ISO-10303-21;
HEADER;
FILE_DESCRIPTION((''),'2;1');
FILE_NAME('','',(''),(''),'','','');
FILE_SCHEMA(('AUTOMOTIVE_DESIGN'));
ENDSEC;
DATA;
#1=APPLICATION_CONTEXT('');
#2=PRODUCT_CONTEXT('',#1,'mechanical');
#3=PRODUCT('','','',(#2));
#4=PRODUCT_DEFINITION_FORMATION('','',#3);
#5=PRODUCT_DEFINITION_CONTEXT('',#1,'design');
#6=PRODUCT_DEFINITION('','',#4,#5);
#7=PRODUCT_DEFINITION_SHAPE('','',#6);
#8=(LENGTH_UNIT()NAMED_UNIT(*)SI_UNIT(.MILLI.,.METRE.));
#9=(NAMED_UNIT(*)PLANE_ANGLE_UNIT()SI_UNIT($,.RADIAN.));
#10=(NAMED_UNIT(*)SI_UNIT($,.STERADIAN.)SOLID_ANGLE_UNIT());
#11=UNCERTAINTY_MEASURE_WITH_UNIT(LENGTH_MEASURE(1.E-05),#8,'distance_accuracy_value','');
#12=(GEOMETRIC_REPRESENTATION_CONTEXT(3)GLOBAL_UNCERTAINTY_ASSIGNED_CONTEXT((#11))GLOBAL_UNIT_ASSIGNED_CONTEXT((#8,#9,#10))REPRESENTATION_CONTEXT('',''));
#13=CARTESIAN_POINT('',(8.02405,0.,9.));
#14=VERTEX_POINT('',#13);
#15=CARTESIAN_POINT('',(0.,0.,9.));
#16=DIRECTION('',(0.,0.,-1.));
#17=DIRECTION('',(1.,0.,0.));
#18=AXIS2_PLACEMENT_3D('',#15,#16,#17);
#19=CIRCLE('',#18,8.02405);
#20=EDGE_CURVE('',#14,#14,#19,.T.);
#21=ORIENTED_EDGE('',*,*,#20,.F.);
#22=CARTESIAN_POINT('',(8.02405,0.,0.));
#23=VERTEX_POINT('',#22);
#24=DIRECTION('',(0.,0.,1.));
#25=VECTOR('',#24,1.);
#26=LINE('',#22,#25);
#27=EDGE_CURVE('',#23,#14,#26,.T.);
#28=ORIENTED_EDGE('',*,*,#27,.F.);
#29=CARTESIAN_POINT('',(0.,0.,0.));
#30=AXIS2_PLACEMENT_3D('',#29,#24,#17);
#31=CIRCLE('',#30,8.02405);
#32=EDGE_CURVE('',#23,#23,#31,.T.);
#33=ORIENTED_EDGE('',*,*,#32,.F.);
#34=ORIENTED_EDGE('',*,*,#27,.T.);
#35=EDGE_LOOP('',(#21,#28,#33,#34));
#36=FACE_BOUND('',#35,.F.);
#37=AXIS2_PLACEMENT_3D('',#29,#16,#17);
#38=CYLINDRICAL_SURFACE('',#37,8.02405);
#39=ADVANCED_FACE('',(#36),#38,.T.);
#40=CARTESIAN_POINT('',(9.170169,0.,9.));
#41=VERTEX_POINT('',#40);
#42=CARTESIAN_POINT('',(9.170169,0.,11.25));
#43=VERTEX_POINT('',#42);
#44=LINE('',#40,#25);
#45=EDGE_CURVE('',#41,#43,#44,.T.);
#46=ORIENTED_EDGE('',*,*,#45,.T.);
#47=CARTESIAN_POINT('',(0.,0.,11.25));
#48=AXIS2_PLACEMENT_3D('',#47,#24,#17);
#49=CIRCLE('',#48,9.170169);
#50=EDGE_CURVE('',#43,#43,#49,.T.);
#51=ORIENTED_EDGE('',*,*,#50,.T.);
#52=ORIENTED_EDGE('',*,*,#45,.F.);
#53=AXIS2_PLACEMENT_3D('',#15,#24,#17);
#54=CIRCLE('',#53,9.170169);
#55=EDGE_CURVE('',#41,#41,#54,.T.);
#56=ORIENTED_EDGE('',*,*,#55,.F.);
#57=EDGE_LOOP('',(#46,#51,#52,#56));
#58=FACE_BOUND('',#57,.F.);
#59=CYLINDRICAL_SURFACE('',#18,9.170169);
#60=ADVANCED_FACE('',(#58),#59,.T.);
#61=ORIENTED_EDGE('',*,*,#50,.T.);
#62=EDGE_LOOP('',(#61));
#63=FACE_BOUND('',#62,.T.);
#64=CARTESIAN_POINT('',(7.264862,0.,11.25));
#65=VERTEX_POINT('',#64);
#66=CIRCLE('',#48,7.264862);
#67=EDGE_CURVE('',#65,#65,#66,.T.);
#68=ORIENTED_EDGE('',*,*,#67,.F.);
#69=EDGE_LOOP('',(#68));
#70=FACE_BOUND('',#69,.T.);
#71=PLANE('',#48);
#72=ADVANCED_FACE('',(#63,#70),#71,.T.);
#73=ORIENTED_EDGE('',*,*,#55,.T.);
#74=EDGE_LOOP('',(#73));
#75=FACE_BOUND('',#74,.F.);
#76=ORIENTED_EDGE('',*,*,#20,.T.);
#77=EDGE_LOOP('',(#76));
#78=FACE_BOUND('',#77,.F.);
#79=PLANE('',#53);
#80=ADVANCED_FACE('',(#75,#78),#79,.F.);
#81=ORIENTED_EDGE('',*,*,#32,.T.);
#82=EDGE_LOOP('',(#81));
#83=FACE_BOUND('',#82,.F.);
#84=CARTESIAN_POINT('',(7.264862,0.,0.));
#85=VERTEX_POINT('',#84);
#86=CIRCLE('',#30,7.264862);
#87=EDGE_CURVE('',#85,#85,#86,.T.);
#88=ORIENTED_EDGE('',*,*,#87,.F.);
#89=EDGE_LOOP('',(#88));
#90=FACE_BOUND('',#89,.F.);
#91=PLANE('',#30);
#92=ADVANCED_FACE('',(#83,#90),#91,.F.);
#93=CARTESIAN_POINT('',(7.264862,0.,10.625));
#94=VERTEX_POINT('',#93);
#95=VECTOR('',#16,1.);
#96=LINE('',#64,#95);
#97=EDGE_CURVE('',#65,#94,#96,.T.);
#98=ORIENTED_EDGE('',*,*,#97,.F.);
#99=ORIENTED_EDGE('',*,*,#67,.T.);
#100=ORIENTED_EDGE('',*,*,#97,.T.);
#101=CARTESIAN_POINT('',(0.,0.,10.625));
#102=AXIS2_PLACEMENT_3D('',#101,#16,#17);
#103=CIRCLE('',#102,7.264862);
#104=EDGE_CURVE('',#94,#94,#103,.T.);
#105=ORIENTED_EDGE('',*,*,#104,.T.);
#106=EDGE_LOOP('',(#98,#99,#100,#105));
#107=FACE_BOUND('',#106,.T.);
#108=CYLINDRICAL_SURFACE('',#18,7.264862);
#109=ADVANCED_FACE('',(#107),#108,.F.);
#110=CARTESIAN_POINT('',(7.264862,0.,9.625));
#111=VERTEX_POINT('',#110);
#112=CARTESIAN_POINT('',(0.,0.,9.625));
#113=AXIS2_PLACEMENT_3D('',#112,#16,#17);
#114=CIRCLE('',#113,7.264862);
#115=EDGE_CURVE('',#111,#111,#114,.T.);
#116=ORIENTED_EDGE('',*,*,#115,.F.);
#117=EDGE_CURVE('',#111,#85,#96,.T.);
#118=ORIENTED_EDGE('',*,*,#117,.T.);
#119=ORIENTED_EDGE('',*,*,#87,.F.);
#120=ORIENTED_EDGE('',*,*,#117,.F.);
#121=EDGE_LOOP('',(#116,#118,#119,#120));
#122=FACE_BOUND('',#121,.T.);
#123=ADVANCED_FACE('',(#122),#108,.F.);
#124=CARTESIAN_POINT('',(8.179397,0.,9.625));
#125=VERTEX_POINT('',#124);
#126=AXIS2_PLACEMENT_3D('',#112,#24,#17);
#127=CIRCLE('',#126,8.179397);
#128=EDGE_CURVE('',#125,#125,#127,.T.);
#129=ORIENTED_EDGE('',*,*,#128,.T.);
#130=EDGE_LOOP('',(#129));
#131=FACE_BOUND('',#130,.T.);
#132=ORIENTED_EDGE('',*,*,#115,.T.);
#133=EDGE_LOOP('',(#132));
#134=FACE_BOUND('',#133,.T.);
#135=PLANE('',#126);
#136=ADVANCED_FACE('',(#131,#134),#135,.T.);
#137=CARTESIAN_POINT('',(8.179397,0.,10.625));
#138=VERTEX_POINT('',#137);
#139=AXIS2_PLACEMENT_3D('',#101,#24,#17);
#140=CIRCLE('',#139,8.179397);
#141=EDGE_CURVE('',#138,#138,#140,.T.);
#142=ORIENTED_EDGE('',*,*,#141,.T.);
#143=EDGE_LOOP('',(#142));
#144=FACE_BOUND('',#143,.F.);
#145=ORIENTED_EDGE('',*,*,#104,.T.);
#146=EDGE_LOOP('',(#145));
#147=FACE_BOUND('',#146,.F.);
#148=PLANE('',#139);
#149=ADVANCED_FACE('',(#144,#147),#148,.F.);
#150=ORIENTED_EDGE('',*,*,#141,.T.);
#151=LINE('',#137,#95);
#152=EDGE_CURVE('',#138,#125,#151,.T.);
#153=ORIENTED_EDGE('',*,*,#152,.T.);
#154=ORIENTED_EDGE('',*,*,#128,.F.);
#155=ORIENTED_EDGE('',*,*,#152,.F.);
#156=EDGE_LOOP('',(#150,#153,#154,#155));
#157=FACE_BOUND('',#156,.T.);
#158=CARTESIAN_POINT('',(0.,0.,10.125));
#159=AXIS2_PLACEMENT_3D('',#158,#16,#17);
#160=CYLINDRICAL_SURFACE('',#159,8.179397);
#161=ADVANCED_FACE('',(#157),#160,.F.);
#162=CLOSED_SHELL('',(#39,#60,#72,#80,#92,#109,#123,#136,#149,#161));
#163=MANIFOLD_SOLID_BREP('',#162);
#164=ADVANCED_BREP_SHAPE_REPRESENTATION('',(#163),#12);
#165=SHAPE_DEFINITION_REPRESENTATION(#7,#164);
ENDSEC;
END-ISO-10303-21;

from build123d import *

# Parameters (mm, degrees)
F0_R          = 16.048100164
F0_R_2        = 14.5297232328
F1_DEPTH      = 20
F2_START      = 18
F0_R_3        = 18.3403382945
F2_DEPTH      = 4.5
F3_SCALE      = 0.5
F5_R          = 8.1793967512
F6_DEPTH      = 0.5
F6_DEPTH_BACK = 0.5


with BuildPart() as f1:
    # F0 (on Top) → F1 (new body)
    with BuildSketch(Plane.XY):
        Circle(F0_R)
        Circle(F0_R_2, mode=Mode.SUBTRACT)
    extrude(amount=F1_DEPTH)

    # F0 (on Top) → F2 (join)
    with BuildSketch(Plane.XY.offset(F2_START)):
        Circle(F0_R_3)
        Circle(F0_R, mode=Mode.SUBTRACT)
        Circle(F0_R)
        Circle(F0_R_2, mode=Mode.SUBTRACT)
    extrude(amount=F2_DEPTH)


with BuildPart() as f1_1:
    # F3: moved
    add(f1.part.scale(F3_SCALE))

    # F5 (on offset) → F6 (cut, two sides)
    with BuildSketch(Plane.XY.offset(10.125)) as f6_sk:
        Circle(F5_R)
    extrude(amount=F6_DEPTH, mode=Mode.SUBTRACT)
    extrude(f6_sk.sketch, amount=-F6_DEPTH_BACK, mode=Mode.SUBTRACT)


solid = f1_1.part
